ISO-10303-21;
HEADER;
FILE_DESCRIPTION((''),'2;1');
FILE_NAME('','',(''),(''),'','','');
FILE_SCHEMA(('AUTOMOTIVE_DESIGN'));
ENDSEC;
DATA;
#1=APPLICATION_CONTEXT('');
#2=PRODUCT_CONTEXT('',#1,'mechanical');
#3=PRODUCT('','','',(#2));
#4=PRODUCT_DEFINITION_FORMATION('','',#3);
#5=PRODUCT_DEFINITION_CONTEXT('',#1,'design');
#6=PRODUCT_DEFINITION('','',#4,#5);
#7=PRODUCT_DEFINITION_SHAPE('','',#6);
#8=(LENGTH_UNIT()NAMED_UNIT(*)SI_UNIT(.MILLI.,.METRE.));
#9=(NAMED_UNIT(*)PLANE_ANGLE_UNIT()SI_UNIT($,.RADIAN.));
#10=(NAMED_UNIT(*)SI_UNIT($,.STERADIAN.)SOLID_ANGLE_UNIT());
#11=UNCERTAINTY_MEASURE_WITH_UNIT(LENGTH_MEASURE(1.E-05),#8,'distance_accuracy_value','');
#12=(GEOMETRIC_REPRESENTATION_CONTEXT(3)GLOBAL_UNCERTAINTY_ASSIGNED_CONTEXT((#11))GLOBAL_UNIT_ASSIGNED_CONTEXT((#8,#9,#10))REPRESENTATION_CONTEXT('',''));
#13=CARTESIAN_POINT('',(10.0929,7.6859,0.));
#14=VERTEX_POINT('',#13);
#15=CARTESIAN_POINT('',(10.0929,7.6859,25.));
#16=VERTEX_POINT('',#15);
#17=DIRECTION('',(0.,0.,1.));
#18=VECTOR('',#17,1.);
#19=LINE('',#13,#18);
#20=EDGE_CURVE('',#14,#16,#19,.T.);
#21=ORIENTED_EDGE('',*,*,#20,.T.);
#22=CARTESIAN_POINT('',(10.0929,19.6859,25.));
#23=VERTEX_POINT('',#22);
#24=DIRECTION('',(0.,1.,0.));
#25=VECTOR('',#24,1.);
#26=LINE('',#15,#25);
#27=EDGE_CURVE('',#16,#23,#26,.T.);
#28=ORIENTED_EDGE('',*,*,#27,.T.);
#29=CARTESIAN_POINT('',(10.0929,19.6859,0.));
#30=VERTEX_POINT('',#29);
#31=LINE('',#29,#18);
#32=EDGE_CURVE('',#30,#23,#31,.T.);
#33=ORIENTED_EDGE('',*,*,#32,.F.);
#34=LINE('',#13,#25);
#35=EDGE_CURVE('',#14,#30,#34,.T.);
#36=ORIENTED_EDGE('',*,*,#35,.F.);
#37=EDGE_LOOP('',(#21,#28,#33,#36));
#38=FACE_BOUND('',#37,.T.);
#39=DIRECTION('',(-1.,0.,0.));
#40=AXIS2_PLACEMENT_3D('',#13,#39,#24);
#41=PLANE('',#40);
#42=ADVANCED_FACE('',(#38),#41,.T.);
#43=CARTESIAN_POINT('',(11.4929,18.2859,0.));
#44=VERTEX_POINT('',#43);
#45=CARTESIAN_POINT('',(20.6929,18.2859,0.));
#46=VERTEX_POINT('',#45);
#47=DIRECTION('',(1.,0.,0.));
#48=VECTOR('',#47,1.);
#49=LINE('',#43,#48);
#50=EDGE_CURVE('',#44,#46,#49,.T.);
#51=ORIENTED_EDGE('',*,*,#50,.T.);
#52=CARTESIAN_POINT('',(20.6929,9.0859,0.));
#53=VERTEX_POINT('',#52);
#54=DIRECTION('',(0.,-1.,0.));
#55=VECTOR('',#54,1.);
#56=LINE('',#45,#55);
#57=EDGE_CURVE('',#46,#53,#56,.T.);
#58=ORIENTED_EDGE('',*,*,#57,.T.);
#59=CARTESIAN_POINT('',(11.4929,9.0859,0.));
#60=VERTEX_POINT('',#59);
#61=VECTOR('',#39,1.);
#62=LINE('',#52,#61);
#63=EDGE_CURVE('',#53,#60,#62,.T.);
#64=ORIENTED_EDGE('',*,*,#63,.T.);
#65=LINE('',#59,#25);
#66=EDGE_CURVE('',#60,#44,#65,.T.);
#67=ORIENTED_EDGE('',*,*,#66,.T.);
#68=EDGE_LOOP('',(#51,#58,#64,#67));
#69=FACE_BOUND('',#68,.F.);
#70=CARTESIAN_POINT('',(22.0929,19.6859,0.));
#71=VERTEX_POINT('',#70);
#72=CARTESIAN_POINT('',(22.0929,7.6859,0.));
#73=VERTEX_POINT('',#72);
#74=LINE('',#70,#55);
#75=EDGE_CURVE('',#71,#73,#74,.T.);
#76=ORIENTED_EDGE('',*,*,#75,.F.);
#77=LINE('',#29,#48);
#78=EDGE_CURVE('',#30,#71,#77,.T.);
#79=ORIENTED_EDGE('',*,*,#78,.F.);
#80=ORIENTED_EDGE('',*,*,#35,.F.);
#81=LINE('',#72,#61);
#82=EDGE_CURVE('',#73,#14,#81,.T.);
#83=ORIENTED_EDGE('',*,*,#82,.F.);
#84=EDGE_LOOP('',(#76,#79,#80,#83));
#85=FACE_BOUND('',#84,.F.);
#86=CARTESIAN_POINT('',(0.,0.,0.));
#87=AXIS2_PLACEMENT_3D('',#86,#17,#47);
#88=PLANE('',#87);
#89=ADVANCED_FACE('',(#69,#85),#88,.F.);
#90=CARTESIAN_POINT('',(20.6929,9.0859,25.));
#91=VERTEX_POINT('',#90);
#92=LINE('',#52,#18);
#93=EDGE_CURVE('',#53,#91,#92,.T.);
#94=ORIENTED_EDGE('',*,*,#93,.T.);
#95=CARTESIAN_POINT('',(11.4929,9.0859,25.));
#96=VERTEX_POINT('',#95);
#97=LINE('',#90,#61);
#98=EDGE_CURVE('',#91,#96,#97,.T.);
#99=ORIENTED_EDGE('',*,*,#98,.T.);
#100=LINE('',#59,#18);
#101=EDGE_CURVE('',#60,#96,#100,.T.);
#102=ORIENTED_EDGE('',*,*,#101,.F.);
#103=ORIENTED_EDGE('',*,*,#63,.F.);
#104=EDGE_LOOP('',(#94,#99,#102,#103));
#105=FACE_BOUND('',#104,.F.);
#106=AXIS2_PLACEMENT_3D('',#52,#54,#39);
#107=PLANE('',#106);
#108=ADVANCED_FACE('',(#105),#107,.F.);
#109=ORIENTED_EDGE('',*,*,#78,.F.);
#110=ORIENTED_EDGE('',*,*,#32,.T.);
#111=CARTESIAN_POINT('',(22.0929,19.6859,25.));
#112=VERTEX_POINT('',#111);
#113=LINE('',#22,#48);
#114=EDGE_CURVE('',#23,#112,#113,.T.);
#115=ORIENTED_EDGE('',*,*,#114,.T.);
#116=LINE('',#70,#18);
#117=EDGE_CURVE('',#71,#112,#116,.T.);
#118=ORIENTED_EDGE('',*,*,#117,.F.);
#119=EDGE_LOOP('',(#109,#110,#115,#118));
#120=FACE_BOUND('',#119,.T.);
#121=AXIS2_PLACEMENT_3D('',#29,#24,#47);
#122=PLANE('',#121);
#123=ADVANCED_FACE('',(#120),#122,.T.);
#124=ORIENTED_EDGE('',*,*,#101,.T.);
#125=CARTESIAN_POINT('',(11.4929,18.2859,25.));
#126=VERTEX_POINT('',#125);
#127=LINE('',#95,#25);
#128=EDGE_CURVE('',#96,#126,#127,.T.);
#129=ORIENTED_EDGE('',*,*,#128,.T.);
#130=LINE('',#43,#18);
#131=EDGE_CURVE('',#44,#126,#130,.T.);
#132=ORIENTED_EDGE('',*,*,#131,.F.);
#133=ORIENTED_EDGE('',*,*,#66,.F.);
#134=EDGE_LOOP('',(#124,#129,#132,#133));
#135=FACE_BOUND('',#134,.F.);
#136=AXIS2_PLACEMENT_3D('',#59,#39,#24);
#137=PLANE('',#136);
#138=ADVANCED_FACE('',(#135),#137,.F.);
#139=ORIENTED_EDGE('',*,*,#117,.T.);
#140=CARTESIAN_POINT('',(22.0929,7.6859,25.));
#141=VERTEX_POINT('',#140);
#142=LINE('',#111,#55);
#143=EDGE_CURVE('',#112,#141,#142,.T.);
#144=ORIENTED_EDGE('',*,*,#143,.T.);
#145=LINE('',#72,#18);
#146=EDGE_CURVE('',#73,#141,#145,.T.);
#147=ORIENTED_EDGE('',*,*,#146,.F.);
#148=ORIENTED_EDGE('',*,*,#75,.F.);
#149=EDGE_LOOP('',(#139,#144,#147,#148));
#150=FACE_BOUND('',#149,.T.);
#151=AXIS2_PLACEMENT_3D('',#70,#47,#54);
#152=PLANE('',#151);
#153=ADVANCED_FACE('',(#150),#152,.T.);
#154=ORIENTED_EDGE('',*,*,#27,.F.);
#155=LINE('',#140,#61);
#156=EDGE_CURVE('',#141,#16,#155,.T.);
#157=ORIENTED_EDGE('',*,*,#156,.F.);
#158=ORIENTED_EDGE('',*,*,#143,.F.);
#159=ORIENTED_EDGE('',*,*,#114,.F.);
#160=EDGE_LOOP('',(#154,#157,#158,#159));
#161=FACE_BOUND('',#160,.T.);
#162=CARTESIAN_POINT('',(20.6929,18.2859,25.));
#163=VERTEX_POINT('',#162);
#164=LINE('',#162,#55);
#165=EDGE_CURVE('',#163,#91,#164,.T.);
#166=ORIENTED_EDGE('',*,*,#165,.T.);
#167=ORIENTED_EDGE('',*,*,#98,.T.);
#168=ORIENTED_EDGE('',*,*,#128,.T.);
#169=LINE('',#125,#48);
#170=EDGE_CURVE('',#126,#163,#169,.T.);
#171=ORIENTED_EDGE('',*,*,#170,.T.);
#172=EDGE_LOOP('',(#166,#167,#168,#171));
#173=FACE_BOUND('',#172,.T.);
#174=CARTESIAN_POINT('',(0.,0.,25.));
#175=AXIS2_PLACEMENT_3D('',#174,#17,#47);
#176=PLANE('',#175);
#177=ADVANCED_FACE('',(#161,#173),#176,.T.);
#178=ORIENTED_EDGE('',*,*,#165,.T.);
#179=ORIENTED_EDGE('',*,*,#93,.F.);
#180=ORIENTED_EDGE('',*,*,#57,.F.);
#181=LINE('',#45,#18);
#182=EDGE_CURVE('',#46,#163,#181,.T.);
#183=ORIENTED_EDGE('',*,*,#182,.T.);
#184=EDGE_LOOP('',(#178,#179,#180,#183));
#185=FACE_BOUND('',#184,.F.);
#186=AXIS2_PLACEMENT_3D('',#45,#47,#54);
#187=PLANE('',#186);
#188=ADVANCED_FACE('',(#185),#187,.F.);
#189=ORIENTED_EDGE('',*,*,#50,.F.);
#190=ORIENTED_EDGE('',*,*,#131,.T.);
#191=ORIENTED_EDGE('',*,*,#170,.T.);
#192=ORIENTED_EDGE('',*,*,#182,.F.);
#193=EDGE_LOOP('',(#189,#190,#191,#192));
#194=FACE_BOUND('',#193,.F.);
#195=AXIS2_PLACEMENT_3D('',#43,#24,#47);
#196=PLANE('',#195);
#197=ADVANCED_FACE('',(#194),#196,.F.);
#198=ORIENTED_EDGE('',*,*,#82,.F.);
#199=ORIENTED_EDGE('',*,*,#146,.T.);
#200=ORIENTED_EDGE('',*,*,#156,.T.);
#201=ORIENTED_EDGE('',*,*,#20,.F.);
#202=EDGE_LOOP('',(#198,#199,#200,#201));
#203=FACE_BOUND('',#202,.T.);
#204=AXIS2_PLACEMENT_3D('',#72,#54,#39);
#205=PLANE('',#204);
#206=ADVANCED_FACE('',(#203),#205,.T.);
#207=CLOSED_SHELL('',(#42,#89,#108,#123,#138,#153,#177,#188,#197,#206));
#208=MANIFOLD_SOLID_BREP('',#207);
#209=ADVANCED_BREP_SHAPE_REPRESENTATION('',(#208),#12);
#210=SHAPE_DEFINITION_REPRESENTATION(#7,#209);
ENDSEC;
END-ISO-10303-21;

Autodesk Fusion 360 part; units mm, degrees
sketch "Esquisse1" plane through (0, 0, 0) normal (0, 0, 1) x (1, 0, 0)
  line L0 (11.4929, 18.2859) -> (20.6929, 18.2859)
  line L1 (20.6929, 18.2859) -> (20.6929, 9.0859)
  line L2 (20.6929, 9.0859) -> (11.4929, 9.0859)
  line L3 (11.4929, 9.0859) -> (11.4929, 18.2859)
  line L4 (10.0929, 19.6859) -> (22.0929, 19.6859)
  line L5 (22.0929, 19.6859) -> (22.0929, 7.6859)
  line L6 (22.0929, 7.6859) -> (10.0929, 7.6859)
  line L7 (10.0929, 7.6859) -> (10.0929, 19.6859)
  dimension "d1" = 9.2
  dimension "d2" = 9.2
  dimension "d3" = 12
  dimension "d4" = 12
  dimension "d5" = 1.4
  dimension "d6" = 1.4
extrude "Extrusion1" add sketch "Esquisse1" along normal blind 25
